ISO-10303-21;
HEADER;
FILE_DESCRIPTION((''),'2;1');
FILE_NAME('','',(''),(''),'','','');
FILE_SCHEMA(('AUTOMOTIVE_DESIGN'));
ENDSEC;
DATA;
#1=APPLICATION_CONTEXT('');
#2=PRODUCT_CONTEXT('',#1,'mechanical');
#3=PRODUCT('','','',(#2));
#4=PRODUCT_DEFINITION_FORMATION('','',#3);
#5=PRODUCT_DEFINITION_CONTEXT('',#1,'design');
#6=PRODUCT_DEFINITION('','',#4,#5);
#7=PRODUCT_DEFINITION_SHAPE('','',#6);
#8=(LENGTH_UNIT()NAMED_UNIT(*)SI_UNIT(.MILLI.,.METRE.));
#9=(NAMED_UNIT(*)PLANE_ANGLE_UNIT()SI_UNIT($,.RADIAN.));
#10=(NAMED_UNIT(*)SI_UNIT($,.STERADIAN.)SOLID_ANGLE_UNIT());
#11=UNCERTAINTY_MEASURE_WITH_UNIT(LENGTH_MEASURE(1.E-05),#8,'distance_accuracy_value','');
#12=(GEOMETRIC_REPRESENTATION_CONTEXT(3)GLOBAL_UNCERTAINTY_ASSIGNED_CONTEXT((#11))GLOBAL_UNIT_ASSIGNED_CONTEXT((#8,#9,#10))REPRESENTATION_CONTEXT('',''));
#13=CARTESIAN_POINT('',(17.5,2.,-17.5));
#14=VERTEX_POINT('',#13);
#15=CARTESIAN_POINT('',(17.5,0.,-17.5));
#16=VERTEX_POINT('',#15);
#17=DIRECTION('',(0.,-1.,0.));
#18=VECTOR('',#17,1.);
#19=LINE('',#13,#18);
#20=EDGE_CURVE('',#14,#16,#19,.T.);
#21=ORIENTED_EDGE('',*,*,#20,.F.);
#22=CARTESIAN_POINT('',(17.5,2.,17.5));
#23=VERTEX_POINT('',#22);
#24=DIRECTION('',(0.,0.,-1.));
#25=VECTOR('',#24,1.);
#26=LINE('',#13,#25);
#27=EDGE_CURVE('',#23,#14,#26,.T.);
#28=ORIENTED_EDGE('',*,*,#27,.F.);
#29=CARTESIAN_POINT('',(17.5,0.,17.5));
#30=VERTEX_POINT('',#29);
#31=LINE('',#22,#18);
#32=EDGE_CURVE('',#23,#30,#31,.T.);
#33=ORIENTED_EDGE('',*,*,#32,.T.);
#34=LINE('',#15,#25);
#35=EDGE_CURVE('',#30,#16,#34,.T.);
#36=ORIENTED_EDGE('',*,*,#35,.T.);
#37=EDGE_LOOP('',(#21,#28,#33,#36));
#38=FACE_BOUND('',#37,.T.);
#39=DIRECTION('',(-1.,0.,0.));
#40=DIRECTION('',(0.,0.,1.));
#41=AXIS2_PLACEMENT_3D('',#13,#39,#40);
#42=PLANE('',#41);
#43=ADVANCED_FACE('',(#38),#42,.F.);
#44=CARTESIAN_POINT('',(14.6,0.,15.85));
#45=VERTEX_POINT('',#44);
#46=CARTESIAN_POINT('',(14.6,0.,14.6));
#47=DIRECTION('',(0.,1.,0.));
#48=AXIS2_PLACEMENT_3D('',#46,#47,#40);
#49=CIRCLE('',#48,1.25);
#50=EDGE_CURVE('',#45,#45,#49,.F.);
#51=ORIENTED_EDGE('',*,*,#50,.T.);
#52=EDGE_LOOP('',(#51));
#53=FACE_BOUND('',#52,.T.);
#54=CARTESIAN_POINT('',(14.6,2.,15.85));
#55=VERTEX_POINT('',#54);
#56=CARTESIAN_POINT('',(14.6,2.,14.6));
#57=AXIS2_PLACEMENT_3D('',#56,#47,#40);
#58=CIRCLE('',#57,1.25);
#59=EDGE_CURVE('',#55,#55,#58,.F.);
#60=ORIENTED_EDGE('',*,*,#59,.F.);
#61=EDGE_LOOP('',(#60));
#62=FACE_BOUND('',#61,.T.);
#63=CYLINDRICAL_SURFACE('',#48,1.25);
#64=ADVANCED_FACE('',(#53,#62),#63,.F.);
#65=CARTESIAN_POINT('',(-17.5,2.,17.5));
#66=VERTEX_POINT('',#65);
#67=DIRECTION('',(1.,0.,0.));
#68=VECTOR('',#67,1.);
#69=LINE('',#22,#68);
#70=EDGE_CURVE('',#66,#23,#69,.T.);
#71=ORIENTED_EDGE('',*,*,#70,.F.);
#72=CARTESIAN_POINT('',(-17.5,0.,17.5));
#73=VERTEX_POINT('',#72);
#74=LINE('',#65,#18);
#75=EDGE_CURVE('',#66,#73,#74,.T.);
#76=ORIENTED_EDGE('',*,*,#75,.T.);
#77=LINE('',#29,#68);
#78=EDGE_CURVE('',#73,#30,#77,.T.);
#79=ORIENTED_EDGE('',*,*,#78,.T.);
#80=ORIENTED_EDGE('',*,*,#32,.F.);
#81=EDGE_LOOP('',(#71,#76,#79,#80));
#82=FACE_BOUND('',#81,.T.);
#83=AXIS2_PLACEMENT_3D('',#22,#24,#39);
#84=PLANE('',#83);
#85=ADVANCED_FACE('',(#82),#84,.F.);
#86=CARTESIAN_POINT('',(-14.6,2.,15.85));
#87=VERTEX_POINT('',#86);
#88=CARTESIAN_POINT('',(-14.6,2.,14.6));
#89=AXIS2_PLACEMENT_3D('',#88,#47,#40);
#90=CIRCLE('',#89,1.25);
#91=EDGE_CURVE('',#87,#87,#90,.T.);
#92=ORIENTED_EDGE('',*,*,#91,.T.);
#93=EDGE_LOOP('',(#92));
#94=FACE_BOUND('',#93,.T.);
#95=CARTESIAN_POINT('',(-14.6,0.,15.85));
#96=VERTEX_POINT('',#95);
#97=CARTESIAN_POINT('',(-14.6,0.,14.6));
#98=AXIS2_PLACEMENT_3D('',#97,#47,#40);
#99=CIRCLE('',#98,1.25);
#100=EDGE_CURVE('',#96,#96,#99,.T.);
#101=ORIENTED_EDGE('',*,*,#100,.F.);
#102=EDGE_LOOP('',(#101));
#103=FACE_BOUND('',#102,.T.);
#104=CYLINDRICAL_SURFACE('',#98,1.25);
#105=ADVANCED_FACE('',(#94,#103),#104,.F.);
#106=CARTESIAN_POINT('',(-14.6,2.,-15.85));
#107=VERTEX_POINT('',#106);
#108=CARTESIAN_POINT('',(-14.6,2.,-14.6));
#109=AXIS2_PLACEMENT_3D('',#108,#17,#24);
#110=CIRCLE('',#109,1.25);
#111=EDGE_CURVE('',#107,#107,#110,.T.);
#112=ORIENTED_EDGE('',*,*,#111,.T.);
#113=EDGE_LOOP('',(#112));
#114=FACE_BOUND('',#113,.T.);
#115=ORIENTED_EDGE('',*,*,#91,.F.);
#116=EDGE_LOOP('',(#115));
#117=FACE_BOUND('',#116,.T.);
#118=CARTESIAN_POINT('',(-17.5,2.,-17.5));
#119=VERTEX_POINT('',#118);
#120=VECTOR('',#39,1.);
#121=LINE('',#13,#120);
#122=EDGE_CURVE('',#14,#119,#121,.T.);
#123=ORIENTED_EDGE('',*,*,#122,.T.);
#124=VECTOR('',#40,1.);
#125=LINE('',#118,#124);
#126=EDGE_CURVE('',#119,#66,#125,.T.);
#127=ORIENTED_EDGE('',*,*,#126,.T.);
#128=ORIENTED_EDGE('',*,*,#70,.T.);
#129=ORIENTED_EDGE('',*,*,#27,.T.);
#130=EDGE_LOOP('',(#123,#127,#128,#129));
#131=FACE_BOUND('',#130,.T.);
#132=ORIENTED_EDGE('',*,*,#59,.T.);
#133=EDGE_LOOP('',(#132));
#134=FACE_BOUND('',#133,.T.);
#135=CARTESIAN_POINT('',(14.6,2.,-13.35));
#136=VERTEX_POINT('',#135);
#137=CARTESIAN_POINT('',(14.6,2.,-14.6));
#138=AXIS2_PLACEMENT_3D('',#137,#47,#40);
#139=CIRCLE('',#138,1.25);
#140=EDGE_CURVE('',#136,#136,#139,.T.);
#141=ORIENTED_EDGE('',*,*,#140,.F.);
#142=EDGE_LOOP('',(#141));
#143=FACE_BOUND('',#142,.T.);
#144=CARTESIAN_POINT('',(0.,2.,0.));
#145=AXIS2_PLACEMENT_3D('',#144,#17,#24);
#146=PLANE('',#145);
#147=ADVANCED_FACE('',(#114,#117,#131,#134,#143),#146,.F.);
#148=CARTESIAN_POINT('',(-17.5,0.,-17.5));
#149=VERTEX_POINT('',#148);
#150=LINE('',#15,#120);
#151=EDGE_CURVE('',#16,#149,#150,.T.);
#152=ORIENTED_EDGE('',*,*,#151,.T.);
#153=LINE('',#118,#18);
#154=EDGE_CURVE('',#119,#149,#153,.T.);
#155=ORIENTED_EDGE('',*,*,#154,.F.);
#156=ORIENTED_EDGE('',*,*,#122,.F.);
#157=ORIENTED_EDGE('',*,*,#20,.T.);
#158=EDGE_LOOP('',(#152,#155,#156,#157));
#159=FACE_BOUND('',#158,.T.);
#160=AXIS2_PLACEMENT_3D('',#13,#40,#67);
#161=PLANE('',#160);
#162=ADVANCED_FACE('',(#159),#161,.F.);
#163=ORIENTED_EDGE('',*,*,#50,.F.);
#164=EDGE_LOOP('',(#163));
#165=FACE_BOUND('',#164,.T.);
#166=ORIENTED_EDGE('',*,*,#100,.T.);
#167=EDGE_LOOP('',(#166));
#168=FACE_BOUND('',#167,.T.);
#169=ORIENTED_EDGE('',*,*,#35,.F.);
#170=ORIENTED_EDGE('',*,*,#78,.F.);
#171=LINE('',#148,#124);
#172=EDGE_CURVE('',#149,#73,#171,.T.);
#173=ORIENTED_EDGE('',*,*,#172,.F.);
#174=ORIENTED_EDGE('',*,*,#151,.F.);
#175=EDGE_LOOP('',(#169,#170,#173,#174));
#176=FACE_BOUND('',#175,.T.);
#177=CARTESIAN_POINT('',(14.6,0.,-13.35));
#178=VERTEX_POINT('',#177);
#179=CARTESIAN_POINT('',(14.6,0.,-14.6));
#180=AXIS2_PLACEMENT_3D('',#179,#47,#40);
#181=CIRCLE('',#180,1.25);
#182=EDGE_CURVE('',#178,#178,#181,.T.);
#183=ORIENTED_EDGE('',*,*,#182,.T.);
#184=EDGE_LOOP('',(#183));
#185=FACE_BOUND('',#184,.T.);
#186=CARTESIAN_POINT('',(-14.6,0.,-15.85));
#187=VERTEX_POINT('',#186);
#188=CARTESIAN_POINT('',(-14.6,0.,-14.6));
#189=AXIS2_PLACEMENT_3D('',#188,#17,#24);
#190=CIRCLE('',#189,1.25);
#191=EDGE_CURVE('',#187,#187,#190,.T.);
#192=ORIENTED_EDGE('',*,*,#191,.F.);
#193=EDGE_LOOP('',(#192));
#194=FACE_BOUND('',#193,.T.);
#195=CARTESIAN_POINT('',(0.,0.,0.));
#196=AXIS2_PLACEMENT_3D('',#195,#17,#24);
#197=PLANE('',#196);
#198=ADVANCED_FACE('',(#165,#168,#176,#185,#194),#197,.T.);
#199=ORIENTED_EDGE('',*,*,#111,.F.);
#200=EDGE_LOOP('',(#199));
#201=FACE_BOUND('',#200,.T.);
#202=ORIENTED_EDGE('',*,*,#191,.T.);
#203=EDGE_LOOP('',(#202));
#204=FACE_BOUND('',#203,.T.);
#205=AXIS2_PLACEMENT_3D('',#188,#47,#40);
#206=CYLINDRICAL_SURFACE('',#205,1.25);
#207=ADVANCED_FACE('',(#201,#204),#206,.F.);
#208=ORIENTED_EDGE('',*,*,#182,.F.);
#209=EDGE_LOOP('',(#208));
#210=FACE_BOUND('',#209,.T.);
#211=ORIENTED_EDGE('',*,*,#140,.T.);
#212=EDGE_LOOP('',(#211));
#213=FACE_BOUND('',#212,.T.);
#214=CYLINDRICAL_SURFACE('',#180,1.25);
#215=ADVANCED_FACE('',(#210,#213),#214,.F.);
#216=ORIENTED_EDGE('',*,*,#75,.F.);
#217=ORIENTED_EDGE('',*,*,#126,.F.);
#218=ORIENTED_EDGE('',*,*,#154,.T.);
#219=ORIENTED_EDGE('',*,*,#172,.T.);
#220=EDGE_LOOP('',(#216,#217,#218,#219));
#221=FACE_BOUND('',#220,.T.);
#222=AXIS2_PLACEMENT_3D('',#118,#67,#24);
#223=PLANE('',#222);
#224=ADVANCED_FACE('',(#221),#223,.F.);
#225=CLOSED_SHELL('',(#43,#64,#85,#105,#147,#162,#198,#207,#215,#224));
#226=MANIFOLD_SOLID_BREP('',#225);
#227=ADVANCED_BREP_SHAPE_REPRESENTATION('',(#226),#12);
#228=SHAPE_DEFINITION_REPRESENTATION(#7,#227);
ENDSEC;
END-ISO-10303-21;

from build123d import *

# Parameters (mm, degrees)
SKETCH1_W           = 35
SKETCH1_H           = 35
BOSS_EXTRUDE1_DEPTH = 2
SKETCH2_R           = 1.25
CUT_EXTRUDE1_DEPTH  = 3


with BuildPart() as part:
    # Sketch1 → Boss-Extrude1 (new body)
    with BuildSketch(Plane(origin=(0, 0, 0), x_dir=(1, 0, 0), z_dir=(0, 1, 0))):
        Rectangle(SKETCH1_W, SKETCH1_H)
    extrude(amount=BOSS_EXTRUDE1_DEPTH)

    # Sketch2 → Cut-Extrude1 (cut, through all)
    with BuildSketch(Plane(origin=(0, 2, 0), x_dir=(1, 0, 0), z_dir=(0, 1, 0))):
        with Locations((14.6, -14.6)):
            Circle(SKETCH2_R)
        with Locations((-14.6, -14.6)):
            Circle(SKETCH2_R)
        with Locations((-14.6, 14.6)):
            Circle(SKETCH2_R)
        with Locations((14.6, 14.6)):
            Circle(SKETCH2_R)
    extrude(amount=-CUT_EXTRUDE1_DEPTH, mode=Mode.SUBTRACT)


solid = part.part
